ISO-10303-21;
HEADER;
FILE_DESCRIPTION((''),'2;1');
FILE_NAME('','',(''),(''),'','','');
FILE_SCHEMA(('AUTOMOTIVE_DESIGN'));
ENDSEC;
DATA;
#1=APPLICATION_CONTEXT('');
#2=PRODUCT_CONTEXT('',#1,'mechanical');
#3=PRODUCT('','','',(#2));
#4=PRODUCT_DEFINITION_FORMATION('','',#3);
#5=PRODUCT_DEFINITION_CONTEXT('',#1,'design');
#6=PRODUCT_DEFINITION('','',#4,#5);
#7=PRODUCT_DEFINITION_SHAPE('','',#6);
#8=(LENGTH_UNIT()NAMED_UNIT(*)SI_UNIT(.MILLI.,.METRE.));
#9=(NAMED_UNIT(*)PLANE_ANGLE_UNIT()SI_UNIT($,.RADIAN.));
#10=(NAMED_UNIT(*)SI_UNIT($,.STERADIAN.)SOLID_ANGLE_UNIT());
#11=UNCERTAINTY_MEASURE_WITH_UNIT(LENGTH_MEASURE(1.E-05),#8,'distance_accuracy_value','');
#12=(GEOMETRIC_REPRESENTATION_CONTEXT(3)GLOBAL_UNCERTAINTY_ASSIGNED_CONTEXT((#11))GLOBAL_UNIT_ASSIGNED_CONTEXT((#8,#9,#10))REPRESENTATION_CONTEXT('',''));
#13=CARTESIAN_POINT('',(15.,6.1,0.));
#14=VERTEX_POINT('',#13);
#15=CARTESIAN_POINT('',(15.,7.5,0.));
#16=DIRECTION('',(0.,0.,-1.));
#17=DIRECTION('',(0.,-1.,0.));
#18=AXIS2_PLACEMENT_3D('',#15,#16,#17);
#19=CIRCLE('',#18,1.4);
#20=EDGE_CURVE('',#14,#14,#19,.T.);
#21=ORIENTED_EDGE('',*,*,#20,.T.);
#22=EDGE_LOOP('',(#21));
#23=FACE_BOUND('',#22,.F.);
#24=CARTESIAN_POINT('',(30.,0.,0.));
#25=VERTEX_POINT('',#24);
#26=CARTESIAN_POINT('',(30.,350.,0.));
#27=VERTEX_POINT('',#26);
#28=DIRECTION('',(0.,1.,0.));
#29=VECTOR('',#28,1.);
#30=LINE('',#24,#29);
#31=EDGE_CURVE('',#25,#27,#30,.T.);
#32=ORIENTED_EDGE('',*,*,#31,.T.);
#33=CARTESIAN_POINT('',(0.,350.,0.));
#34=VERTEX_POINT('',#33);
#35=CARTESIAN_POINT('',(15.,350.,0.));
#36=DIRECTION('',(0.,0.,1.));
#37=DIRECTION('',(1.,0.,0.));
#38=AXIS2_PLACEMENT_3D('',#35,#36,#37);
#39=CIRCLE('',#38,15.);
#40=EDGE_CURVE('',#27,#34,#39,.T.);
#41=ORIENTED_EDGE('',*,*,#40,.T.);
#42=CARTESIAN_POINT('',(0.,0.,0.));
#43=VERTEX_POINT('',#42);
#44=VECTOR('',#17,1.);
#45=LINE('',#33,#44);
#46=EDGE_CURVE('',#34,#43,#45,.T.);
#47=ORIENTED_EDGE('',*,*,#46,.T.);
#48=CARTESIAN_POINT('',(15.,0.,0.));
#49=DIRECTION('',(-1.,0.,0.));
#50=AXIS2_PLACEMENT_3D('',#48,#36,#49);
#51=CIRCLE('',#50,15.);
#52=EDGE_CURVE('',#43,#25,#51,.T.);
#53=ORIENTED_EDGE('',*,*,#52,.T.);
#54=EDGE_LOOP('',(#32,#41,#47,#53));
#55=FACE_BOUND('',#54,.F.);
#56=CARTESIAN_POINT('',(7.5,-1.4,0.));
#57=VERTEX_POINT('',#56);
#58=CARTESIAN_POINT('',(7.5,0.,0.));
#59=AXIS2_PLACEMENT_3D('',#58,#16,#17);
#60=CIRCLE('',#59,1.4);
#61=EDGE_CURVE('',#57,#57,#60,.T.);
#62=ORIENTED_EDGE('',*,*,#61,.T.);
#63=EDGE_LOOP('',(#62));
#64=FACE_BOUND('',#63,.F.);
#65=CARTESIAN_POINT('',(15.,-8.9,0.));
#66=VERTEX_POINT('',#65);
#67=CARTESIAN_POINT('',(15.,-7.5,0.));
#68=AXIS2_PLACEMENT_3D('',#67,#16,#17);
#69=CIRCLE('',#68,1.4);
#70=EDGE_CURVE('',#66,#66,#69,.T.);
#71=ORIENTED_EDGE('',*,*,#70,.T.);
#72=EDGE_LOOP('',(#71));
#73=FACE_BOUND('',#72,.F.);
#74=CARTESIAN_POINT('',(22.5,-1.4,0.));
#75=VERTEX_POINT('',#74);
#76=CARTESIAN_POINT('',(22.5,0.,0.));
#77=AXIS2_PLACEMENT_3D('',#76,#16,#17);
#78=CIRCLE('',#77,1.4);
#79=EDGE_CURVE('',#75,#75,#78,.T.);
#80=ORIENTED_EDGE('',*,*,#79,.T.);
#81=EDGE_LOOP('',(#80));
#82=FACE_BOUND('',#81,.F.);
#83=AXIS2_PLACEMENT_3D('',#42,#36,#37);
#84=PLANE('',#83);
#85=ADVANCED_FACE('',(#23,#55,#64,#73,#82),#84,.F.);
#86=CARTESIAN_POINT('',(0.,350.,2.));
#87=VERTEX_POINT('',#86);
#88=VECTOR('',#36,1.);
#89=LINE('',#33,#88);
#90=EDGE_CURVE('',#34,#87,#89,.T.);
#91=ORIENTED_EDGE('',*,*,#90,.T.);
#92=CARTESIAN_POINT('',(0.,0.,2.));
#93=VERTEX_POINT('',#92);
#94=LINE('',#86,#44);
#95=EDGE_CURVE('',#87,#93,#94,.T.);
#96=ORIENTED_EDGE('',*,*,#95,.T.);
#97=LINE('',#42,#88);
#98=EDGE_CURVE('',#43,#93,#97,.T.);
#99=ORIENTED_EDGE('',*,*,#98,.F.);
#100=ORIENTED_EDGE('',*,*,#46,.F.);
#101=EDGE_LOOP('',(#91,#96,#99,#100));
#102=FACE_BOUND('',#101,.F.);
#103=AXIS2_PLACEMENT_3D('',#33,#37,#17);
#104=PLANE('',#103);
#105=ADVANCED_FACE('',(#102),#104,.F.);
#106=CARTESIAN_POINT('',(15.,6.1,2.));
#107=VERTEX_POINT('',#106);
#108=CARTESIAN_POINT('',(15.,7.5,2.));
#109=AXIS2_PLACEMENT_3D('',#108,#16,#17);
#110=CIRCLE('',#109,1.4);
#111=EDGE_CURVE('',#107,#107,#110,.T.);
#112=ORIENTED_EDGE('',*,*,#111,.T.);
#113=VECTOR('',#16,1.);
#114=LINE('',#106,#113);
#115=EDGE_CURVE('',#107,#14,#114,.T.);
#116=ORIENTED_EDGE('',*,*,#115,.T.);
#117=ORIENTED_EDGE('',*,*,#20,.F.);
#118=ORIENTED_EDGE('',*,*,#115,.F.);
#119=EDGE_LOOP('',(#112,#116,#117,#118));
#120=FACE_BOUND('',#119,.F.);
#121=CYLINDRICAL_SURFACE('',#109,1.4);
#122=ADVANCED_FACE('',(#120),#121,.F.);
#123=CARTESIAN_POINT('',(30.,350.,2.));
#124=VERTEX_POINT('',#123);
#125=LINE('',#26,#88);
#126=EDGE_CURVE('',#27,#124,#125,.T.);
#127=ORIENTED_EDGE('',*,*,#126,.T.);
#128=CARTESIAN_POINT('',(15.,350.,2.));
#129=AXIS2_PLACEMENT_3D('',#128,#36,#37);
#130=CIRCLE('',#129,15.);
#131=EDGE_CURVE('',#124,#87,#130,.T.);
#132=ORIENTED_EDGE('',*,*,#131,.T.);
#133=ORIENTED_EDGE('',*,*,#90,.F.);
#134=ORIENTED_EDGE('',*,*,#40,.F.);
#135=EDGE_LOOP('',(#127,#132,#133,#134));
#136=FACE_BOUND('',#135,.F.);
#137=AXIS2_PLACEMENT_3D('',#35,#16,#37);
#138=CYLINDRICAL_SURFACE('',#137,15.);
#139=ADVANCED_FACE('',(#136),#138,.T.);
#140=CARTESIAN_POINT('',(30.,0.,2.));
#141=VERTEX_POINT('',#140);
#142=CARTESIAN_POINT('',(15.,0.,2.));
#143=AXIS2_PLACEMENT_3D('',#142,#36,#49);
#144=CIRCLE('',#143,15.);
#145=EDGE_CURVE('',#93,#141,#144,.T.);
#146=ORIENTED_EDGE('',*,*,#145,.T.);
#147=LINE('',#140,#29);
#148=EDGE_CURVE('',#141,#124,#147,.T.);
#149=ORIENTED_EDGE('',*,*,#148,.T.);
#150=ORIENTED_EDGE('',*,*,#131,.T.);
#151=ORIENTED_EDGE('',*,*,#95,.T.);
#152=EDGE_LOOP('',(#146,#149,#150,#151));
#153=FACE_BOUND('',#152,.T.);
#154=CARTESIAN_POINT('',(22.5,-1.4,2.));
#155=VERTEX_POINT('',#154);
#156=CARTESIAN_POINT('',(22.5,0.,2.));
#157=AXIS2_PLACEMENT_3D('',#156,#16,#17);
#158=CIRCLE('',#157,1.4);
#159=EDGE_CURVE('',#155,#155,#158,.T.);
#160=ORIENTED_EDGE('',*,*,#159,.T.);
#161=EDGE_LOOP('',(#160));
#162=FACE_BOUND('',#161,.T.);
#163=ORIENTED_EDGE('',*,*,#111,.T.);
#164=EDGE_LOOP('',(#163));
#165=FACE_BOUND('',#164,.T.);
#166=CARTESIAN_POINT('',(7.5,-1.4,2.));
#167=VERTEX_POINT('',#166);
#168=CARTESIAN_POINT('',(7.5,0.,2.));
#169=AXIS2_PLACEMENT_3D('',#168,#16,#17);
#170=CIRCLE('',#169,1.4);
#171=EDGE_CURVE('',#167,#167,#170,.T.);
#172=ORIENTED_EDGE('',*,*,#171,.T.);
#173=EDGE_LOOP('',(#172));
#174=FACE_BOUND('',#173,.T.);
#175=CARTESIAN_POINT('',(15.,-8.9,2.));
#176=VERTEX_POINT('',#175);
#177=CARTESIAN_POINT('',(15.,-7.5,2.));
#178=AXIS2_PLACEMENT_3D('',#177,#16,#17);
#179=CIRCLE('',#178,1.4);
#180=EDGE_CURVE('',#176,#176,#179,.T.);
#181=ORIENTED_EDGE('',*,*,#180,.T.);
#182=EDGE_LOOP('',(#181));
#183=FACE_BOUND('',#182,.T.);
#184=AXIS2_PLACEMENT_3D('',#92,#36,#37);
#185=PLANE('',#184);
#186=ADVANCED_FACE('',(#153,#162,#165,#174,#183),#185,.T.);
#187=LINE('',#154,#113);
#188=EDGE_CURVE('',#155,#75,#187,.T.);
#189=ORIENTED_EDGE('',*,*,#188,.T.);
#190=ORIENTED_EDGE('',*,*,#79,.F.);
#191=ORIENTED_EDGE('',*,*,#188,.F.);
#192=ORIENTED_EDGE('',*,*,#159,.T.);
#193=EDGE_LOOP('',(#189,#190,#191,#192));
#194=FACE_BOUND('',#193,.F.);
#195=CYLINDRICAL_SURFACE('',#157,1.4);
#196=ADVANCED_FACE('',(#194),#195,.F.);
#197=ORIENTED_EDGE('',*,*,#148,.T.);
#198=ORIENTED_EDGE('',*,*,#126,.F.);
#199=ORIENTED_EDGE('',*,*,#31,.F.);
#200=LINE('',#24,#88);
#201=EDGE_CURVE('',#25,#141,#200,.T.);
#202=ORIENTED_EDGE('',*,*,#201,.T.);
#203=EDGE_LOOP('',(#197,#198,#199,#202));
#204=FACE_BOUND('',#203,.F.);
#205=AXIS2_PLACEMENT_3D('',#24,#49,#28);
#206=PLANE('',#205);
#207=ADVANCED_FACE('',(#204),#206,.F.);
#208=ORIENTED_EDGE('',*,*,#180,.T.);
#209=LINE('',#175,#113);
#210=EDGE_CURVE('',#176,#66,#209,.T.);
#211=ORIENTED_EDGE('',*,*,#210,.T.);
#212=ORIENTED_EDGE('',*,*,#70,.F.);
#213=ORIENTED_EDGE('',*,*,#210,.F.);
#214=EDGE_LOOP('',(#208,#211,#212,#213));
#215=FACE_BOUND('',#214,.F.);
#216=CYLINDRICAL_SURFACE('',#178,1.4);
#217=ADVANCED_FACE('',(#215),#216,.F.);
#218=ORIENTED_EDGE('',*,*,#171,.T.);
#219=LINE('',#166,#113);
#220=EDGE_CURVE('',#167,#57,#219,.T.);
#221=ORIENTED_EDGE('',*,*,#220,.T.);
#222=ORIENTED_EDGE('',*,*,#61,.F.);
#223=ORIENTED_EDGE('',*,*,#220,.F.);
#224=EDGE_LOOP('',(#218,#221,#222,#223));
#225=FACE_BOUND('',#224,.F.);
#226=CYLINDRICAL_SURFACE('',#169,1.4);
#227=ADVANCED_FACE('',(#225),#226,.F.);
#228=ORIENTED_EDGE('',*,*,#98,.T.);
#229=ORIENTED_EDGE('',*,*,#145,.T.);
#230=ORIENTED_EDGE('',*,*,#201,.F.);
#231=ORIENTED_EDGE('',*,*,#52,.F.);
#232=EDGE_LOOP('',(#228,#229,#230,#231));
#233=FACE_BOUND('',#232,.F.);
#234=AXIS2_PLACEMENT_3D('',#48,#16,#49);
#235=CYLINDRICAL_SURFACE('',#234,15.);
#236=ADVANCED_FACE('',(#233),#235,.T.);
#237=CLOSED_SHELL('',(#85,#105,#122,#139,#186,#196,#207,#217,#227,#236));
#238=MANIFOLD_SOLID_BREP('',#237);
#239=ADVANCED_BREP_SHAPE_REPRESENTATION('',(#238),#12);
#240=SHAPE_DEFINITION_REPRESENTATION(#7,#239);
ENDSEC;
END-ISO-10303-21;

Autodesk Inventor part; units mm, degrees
ref_plane "YZ Plane" through (0, 0, 0) normal (1, 0, 0) x (0, 1, 0)
ref_plane "XZ Plane" through (0, 0, 0) normal (0, 1, 0) x (-1, 0, 0)
ref_plane "XY Plane" through (0, 0, 0) normal (0, 0, 1) x (1, 0, 0)
sketch "スケッチ1" plane through (0, 0, 0) normal (0, 0, 1) x (1, 0, 0)
  line L0 (30, 0) -> (30, 350)
  line L1 (0, 350) -> (0, 0)
  arc A0 (30, 350) -> (0, 350) centre (15, 350) ccw
  arc A1 (0, 0) -> (30, 0) centre (15, 0) ccw
  dimension "d35" = 30
  dimension "d36" = 350
extrude "押し出し1" add sketch "スケッチ1" along normal blind 2
sketch "スケッチ3" plane through (0, 0, 2) normal (0, 0, 1) x (1, 0, 0)
  line L0 (0, 350) -> (0, 0) projected
  arc A0 (0, 0) -> (30, 0) centre (15, 0) ccw projected
  line L1 (0, 0) -> (30, 0) construction
  point P0 (7.5, 0)
  point P1 (15, -7.5)
  point P2 (22.5, 0)
  point P3 (15, 7.5)
  dimension "d41" = 7.5
  dimension "d44" = 360
hole "穴1" at (7.5, 0, 2) at (15, -7.5, 2) at (22.5, 0, 2) at (15, 7.5, 2) direction (0, 0, -1) diameter 2.8 end through all
properties part number "arm_link" material "GFRP"
